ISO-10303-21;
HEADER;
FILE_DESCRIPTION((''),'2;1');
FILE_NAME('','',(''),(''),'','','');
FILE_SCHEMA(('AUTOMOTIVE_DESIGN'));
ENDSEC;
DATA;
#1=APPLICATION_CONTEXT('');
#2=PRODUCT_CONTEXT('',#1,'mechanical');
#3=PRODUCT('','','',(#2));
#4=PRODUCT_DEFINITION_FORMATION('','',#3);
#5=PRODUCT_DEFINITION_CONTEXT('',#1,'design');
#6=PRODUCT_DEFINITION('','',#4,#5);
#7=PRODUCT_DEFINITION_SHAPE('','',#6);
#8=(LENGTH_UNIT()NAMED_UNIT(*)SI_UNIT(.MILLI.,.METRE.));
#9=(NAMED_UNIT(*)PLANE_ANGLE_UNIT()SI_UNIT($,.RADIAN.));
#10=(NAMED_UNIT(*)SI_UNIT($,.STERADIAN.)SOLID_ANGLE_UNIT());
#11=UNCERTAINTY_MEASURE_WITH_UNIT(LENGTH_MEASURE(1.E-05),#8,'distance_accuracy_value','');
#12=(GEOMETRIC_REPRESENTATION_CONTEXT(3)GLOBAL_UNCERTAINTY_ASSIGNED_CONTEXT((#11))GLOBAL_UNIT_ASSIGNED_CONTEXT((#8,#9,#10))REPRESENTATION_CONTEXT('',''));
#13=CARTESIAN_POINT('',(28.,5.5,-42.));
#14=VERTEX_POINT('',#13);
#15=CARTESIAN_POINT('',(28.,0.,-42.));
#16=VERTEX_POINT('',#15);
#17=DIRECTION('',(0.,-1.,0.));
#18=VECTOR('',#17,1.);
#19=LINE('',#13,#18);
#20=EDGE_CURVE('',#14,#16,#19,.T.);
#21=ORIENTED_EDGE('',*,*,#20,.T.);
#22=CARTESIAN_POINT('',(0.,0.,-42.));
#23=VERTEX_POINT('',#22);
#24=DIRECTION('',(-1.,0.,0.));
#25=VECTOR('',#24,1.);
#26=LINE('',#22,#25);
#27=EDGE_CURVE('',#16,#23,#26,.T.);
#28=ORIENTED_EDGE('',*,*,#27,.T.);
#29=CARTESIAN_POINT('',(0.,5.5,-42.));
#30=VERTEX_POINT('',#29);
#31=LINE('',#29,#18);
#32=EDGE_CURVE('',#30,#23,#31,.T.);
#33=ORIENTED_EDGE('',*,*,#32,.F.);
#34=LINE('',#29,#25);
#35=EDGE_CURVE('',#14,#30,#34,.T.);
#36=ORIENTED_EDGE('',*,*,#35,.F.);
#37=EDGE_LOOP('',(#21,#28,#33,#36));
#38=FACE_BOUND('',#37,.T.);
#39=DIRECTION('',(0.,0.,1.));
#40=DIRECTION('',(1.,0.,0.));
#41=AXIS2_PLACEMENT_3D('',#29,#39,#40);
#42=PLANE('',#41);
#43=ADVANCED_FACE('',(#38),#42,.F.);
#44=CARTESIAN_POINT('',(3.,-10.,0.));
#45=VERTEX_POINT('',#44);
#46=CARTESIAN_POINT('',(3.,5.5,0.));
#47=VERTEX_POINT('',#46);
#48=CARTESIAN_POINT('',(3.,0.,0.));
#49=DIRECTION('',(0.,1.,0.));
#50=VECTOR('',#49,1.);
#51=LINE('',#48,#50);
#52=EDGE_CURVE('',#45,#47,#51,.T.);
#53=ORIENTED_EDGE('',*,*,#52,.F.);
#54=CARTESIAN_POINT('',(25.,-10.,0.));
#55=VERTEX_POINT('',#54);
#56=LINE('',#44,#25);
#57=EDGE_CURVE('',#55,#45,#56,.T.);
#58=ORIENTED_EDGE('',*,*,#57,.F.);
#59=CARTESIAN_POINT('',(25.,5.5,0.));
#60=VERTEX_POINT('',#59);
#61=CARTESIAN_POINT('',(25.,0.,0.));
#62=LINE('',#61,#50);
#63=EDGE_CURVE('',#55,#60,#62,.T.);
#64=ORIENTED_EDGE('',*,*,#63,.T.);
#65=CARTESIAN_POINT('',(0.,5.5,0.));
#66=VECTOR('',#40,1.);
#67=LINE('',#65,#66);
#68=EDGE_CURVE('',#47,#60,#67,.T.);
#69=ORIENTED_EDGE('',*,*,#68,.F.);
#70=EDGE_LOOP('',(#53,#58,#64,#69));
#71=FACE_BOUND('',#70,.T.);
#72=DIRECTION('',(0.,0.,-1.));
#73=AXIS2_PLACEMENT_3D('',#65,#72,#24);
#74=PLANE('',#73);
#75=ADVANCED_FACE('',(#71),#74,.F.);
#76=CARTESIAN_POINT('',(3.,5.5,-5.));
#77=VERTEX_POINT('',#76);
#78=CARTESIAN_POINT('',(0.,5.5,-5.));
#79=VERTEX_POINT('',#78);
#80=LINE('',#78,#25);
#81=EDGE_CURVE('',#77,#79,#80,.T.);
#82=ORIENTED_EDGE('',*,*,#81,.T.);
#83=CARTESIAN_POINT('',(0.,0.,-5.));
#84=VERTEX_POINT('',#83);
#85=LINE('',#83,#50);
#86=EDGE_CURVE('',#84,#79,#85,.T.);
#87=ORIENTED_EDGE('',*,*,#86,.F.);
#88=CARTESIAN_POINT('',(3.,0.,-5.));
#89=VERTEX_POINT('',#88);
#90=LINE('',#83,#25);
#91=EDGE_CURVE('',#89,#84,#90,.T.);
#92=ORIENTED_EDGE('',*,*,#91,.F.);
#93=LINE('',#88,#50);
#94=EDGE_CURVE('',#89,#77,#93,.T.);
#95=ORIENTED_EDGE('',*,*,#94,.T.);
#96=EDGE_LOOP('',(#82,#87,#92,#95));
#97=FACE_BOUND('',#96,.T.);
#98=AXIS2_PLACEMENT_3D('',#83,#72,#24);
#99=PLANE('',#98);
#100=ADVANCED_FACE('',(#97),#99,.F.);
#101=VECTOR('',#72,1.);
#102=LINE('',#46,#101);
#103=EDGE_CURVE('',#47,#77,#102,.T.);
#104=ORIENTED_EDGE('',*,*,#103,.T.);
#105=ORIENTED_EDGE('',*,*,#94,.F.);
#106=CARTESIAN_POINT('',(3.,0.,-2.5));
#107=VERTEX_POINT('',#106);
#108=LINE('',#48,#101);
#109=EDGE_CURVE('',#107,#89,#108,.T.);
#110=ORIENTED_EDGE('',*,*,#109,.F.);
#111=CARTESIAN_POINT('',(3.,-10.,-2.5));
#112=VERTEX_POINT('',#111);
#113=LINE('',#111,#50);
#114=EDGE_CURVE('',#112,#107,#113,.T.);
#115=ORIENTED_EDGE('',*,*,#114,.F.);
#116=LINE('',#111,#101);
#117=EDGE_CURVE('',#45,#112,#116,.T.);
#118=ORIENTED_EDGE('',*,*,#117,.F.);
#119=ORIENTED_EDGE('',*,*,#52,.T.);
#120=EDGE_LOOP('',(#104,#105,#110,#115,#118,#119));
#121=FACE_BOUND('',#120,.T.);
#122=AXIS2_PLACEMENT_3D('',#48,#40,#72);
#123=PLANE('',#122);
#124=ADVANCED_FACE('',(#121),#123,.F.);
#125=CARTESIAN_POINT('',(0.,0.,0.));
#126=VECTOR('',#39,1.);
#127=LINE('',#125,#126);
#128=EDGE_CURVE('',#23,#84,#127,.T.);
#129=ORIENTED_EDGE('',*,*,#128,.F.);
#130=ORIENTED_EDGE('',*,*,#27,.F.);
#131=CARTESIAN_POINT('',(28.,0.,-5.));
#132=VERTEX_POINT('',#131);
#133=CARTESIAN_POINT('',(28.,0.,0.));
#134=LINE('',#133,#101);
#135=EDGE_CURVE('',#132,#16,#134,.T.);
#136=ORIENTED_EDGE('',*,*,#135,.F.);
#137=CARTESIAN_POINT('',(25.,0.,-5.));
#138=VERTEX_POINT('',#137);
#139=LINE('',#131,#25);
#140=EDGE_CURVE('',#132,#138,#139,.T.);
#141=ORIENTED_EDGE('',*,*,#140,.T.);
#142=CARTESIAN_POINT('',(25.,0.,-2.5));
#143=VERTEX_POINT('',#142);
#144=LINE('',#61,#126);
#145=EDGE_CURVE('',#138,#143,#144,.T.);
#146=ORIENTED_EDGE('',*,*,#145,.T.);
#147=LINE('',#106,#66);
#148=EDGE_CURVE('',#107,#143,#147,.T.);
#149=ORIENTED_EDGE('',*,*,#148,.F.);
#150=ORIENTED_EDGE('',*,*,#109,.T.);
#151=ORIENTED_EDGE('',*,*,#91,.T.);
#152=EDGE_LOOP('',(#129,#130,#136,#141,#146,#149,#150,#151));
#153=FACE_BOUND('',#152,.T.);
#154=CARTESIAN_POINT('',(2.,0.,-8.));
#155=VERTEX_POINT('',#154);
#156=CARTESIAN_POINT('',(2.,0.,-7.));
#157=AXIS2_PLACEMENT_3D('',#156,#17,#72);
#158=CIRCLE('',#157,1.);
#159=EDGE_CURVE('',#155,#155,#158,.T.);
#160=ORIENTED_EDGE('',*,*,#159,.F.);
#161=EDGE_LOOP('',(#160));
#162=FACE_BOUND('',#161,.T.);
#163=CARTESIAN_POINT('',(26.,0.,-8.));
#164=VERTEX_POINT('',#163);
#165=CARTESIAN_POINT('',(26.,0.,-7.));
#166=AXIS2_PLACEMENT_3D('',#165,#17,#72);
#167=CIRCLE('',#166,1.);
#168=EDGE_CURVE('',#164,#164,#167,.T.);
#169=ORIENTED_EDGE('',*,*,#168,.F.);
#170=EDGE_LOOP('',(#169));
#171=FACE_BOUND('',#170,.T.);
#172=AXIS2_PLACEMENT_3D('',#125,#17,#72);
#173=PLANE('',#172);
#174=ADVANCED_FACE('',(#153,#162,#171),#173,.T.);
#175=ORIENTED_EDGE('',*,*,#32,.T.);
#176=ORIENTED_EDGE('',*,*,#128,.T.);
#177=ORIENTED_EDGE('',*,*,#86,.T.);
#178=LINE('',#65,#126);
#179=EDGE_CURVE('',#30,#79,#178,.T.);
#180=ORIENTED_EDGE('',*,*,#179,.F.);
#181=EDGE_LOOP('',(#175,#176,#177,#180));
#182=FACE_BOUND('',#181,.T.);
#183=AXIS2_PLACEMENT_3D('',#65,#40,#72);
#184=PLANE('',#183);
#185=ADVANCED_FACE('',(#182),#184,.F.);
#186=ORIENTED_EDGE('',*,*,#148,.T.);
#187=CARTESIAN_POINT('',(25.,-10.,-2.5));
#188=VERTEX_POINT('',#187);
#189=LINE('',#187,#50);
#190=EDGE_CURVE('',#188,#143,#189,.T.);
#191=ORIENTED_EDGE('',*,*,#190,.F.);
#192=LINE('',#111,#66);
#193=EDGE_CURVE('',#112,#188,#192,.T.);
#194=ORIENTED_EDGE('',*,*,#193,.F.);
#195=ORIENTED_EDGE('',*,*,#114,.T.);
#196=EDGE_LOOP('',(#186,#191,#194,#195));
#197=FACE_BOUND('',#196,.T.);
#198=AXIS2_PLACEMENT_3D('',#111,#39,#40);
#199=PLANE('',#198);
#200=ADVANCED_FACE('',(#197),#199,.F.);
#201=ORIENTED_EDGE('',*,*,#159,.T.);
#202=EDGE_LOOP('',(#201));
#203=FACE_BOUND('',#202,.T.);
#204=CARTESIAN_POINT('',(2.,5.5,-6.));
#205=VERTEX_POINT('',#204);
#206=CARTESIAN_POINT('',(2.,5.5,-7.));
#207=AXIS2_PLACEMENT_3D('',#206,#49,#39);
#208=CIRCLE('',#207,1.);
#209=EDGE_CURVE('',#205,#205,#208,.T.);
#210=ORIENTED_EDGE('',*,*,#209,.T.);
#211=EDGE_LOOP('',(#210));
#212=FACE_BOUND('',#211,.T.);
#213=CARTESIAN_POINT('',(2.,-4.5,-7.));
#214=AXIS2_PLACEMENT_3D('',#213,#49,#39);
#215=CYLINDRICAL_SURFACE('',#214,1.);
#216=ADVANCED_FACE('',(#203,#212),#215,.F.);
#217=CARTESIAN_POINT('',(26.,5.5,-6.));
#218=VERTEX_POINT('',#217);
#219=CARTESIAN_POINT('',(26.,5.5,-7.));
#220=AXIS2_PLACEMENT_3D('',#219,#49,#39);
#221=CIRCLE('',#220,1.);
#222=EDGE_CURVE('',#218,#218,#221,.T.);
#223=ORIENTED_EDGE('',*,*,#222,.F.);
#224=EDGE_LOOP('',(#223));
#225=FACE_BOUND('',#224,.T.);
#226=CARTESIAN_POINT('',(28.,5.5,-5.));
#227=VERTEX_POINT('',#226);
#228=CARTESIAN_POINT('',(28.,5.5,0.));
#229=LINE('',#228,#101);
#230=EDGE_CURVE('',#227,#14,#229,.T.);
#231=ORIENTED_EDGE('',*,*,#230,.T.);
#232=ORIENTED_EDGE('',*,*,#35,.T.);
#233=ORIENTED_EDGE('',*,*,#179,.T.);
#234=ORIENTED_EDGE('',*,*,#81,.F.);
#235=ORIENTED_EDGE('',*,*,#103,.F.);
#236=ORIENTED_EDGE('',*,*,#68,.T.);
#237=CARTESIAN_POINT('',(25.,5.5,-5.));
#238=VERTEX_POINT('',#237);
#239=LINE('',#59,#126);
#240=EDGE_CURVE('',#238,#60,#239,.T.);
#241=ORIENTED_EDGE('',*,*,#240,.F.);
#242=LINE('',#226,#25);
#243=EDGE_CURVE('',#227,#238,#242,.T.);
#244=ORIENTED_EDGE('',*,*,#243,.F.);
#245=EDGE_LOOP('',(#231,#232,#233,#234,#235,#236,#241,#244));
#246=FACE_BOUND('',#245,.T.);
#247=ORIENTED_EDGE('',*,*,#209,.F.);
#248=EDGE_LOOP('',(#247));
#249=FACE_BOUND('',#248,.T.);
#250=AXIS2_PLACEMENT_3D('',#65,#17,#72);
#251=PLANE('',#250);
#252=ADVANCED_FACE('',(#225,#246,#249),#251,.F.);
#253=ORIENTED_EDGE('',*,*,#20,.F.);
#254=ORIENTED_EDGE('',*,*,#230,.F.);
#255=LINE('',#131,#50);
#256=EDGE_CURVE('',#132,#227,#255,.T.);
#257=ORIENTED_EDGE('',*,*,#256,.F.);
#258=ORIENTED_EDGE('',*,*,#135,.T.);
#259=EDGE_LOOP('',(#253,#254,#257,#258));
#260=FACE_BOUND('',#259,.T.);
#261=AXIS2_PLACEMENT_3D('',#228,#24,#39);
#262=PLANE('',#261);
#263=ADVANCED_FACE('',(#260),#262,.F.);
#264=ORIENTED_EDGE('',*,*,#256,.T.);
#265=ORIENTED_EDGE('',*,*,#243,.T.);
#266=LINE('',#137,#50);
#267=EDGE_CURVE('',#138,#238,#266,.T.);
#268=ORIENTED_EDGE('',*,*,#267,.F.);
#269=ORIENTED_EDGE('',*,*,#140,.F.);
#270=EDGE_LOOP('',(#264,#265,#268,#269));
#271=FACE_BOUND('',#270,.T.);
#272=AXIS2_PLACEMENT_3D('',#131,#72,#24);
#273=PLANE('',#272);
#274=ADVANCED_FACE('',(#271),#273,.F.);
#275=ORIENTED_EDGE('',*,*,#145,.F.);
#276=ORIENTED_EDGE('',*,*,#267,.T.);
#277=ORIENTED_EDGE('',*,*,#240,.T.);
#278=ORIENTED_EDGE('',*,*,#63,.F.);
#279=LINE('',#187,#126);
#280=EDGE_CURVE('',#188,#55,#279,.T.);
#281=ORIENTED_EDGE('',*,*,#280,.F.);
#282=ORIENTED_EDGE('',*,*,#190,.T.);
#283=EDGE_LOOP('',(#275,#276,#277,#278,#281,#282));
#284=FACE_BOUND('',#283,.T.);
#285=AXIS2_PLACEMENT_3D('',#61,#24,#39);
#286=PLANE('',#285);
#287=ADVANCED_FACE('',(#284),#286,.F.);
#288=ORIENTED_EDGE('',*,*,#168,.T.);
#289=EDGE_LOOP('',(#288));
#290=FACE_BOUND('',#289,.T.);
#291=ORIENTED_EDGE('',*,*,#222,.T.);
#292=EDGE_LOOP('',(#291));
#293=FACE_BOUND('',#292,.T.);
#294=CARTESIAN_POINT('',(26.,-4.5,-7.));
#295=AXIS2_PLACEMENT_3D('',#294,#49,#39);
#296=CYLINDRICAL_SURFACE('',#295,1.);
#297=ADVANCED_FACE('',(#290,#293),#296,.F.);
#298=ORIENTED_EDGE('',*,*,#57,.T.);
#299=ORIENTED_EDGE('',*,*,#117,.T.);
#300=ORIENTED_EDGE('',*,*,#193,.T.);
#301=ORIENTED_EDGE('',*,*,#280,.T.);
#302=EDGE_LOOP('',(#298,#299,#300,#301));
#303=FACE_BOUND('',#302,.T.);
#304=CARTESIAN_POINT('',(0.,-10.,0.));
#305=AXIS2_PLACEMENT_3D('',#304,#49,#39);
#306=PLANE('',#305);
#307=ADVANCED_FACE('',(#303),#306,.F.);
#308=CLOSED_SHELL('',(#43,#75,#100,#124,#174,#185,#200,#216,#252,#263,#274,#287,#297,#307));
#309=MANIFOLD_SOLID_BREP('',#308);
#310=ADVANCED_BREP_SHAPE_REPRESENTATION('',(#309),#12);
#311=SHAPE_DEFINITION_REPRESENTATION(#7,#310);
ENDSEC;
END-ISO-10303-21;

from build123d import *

# Parameters (mm, degrees)
SKETCH2_W           = 28
SKETCH2_H           = 42
BOSS_EXTRUDE1_DEPTH = 5.5
SKETCH3_W           = 3
SKETCH3_H           = 5
CUT_EXTRUDE1_DEPTH  = 5.5
SKETCH4_W           = 22
SKETCH4_H           = 2.5
BOSS_EXTRUDE2_DEPTH = 10
SKETCH5_R           = 1
CUT_EXTRUDE2_DEPTH  = 10


with BuildPart() as part:
    # Sketch2 → Boss-Extrude1 (new body)
    with BuildSketch(Plane(origin=(0, 0, 0), x_dir=(1, 0, 0), z_dir=(0, 1, 0))):
        with Locations((14, 21)):
            Rectangle(SKETCH2_W, SKETCH2_H)
    extrude(amount=BOSS_EXTRUDE1_DEPTH)

    # Sketch3 → Cut-Extrude1 (cut)
    with BuildSketch(Plane(origin=(0, 5.5, 0), x_dir=(1, 0, 0), z_dir=(0, 1, 0))):
        with Locations((1.5, 2.5)):
            Rectangle(SKETCH3_W, SKETCH3_H)
        with Locations((26.5, 2.5)):
            Rectangle(SKETCH3_W, SKETCH3_H)
    extrude(amount=-CUT_EXTRUDE1_DEPTH, mode=Mode.SUBTRACT)

    # Sketch4 → Boss-Extrude2 (add)
    with BuildSketch(Plane.XZ):
        with Locations((14, -1.25)):
            Rectangle(SKETCH4_W, SKETCH4_H)
    extrude(amount=BOSS_EXTRUDE2_DEPTH)

    # Sketch5 → Cut-Extrude2 (cut)
    with BuildSketch(Plane(origin=(0, 5.5, 0), x_dir=(1, 0, 0), z_dir=(0, 1, 0))):
        with Locations(Location((2, 7, 0), (0, 0, 270))):
            Circle(SKETCH5_R)
        with Locations(Location((26, 7, 0), (0, 0, 270))):
            Circle(SKETCH5_R)
    extrude(amount=-CUT_EXTRUDE2_DEPTH, mode=Mode.SUBTRACT)


solid = part.part
